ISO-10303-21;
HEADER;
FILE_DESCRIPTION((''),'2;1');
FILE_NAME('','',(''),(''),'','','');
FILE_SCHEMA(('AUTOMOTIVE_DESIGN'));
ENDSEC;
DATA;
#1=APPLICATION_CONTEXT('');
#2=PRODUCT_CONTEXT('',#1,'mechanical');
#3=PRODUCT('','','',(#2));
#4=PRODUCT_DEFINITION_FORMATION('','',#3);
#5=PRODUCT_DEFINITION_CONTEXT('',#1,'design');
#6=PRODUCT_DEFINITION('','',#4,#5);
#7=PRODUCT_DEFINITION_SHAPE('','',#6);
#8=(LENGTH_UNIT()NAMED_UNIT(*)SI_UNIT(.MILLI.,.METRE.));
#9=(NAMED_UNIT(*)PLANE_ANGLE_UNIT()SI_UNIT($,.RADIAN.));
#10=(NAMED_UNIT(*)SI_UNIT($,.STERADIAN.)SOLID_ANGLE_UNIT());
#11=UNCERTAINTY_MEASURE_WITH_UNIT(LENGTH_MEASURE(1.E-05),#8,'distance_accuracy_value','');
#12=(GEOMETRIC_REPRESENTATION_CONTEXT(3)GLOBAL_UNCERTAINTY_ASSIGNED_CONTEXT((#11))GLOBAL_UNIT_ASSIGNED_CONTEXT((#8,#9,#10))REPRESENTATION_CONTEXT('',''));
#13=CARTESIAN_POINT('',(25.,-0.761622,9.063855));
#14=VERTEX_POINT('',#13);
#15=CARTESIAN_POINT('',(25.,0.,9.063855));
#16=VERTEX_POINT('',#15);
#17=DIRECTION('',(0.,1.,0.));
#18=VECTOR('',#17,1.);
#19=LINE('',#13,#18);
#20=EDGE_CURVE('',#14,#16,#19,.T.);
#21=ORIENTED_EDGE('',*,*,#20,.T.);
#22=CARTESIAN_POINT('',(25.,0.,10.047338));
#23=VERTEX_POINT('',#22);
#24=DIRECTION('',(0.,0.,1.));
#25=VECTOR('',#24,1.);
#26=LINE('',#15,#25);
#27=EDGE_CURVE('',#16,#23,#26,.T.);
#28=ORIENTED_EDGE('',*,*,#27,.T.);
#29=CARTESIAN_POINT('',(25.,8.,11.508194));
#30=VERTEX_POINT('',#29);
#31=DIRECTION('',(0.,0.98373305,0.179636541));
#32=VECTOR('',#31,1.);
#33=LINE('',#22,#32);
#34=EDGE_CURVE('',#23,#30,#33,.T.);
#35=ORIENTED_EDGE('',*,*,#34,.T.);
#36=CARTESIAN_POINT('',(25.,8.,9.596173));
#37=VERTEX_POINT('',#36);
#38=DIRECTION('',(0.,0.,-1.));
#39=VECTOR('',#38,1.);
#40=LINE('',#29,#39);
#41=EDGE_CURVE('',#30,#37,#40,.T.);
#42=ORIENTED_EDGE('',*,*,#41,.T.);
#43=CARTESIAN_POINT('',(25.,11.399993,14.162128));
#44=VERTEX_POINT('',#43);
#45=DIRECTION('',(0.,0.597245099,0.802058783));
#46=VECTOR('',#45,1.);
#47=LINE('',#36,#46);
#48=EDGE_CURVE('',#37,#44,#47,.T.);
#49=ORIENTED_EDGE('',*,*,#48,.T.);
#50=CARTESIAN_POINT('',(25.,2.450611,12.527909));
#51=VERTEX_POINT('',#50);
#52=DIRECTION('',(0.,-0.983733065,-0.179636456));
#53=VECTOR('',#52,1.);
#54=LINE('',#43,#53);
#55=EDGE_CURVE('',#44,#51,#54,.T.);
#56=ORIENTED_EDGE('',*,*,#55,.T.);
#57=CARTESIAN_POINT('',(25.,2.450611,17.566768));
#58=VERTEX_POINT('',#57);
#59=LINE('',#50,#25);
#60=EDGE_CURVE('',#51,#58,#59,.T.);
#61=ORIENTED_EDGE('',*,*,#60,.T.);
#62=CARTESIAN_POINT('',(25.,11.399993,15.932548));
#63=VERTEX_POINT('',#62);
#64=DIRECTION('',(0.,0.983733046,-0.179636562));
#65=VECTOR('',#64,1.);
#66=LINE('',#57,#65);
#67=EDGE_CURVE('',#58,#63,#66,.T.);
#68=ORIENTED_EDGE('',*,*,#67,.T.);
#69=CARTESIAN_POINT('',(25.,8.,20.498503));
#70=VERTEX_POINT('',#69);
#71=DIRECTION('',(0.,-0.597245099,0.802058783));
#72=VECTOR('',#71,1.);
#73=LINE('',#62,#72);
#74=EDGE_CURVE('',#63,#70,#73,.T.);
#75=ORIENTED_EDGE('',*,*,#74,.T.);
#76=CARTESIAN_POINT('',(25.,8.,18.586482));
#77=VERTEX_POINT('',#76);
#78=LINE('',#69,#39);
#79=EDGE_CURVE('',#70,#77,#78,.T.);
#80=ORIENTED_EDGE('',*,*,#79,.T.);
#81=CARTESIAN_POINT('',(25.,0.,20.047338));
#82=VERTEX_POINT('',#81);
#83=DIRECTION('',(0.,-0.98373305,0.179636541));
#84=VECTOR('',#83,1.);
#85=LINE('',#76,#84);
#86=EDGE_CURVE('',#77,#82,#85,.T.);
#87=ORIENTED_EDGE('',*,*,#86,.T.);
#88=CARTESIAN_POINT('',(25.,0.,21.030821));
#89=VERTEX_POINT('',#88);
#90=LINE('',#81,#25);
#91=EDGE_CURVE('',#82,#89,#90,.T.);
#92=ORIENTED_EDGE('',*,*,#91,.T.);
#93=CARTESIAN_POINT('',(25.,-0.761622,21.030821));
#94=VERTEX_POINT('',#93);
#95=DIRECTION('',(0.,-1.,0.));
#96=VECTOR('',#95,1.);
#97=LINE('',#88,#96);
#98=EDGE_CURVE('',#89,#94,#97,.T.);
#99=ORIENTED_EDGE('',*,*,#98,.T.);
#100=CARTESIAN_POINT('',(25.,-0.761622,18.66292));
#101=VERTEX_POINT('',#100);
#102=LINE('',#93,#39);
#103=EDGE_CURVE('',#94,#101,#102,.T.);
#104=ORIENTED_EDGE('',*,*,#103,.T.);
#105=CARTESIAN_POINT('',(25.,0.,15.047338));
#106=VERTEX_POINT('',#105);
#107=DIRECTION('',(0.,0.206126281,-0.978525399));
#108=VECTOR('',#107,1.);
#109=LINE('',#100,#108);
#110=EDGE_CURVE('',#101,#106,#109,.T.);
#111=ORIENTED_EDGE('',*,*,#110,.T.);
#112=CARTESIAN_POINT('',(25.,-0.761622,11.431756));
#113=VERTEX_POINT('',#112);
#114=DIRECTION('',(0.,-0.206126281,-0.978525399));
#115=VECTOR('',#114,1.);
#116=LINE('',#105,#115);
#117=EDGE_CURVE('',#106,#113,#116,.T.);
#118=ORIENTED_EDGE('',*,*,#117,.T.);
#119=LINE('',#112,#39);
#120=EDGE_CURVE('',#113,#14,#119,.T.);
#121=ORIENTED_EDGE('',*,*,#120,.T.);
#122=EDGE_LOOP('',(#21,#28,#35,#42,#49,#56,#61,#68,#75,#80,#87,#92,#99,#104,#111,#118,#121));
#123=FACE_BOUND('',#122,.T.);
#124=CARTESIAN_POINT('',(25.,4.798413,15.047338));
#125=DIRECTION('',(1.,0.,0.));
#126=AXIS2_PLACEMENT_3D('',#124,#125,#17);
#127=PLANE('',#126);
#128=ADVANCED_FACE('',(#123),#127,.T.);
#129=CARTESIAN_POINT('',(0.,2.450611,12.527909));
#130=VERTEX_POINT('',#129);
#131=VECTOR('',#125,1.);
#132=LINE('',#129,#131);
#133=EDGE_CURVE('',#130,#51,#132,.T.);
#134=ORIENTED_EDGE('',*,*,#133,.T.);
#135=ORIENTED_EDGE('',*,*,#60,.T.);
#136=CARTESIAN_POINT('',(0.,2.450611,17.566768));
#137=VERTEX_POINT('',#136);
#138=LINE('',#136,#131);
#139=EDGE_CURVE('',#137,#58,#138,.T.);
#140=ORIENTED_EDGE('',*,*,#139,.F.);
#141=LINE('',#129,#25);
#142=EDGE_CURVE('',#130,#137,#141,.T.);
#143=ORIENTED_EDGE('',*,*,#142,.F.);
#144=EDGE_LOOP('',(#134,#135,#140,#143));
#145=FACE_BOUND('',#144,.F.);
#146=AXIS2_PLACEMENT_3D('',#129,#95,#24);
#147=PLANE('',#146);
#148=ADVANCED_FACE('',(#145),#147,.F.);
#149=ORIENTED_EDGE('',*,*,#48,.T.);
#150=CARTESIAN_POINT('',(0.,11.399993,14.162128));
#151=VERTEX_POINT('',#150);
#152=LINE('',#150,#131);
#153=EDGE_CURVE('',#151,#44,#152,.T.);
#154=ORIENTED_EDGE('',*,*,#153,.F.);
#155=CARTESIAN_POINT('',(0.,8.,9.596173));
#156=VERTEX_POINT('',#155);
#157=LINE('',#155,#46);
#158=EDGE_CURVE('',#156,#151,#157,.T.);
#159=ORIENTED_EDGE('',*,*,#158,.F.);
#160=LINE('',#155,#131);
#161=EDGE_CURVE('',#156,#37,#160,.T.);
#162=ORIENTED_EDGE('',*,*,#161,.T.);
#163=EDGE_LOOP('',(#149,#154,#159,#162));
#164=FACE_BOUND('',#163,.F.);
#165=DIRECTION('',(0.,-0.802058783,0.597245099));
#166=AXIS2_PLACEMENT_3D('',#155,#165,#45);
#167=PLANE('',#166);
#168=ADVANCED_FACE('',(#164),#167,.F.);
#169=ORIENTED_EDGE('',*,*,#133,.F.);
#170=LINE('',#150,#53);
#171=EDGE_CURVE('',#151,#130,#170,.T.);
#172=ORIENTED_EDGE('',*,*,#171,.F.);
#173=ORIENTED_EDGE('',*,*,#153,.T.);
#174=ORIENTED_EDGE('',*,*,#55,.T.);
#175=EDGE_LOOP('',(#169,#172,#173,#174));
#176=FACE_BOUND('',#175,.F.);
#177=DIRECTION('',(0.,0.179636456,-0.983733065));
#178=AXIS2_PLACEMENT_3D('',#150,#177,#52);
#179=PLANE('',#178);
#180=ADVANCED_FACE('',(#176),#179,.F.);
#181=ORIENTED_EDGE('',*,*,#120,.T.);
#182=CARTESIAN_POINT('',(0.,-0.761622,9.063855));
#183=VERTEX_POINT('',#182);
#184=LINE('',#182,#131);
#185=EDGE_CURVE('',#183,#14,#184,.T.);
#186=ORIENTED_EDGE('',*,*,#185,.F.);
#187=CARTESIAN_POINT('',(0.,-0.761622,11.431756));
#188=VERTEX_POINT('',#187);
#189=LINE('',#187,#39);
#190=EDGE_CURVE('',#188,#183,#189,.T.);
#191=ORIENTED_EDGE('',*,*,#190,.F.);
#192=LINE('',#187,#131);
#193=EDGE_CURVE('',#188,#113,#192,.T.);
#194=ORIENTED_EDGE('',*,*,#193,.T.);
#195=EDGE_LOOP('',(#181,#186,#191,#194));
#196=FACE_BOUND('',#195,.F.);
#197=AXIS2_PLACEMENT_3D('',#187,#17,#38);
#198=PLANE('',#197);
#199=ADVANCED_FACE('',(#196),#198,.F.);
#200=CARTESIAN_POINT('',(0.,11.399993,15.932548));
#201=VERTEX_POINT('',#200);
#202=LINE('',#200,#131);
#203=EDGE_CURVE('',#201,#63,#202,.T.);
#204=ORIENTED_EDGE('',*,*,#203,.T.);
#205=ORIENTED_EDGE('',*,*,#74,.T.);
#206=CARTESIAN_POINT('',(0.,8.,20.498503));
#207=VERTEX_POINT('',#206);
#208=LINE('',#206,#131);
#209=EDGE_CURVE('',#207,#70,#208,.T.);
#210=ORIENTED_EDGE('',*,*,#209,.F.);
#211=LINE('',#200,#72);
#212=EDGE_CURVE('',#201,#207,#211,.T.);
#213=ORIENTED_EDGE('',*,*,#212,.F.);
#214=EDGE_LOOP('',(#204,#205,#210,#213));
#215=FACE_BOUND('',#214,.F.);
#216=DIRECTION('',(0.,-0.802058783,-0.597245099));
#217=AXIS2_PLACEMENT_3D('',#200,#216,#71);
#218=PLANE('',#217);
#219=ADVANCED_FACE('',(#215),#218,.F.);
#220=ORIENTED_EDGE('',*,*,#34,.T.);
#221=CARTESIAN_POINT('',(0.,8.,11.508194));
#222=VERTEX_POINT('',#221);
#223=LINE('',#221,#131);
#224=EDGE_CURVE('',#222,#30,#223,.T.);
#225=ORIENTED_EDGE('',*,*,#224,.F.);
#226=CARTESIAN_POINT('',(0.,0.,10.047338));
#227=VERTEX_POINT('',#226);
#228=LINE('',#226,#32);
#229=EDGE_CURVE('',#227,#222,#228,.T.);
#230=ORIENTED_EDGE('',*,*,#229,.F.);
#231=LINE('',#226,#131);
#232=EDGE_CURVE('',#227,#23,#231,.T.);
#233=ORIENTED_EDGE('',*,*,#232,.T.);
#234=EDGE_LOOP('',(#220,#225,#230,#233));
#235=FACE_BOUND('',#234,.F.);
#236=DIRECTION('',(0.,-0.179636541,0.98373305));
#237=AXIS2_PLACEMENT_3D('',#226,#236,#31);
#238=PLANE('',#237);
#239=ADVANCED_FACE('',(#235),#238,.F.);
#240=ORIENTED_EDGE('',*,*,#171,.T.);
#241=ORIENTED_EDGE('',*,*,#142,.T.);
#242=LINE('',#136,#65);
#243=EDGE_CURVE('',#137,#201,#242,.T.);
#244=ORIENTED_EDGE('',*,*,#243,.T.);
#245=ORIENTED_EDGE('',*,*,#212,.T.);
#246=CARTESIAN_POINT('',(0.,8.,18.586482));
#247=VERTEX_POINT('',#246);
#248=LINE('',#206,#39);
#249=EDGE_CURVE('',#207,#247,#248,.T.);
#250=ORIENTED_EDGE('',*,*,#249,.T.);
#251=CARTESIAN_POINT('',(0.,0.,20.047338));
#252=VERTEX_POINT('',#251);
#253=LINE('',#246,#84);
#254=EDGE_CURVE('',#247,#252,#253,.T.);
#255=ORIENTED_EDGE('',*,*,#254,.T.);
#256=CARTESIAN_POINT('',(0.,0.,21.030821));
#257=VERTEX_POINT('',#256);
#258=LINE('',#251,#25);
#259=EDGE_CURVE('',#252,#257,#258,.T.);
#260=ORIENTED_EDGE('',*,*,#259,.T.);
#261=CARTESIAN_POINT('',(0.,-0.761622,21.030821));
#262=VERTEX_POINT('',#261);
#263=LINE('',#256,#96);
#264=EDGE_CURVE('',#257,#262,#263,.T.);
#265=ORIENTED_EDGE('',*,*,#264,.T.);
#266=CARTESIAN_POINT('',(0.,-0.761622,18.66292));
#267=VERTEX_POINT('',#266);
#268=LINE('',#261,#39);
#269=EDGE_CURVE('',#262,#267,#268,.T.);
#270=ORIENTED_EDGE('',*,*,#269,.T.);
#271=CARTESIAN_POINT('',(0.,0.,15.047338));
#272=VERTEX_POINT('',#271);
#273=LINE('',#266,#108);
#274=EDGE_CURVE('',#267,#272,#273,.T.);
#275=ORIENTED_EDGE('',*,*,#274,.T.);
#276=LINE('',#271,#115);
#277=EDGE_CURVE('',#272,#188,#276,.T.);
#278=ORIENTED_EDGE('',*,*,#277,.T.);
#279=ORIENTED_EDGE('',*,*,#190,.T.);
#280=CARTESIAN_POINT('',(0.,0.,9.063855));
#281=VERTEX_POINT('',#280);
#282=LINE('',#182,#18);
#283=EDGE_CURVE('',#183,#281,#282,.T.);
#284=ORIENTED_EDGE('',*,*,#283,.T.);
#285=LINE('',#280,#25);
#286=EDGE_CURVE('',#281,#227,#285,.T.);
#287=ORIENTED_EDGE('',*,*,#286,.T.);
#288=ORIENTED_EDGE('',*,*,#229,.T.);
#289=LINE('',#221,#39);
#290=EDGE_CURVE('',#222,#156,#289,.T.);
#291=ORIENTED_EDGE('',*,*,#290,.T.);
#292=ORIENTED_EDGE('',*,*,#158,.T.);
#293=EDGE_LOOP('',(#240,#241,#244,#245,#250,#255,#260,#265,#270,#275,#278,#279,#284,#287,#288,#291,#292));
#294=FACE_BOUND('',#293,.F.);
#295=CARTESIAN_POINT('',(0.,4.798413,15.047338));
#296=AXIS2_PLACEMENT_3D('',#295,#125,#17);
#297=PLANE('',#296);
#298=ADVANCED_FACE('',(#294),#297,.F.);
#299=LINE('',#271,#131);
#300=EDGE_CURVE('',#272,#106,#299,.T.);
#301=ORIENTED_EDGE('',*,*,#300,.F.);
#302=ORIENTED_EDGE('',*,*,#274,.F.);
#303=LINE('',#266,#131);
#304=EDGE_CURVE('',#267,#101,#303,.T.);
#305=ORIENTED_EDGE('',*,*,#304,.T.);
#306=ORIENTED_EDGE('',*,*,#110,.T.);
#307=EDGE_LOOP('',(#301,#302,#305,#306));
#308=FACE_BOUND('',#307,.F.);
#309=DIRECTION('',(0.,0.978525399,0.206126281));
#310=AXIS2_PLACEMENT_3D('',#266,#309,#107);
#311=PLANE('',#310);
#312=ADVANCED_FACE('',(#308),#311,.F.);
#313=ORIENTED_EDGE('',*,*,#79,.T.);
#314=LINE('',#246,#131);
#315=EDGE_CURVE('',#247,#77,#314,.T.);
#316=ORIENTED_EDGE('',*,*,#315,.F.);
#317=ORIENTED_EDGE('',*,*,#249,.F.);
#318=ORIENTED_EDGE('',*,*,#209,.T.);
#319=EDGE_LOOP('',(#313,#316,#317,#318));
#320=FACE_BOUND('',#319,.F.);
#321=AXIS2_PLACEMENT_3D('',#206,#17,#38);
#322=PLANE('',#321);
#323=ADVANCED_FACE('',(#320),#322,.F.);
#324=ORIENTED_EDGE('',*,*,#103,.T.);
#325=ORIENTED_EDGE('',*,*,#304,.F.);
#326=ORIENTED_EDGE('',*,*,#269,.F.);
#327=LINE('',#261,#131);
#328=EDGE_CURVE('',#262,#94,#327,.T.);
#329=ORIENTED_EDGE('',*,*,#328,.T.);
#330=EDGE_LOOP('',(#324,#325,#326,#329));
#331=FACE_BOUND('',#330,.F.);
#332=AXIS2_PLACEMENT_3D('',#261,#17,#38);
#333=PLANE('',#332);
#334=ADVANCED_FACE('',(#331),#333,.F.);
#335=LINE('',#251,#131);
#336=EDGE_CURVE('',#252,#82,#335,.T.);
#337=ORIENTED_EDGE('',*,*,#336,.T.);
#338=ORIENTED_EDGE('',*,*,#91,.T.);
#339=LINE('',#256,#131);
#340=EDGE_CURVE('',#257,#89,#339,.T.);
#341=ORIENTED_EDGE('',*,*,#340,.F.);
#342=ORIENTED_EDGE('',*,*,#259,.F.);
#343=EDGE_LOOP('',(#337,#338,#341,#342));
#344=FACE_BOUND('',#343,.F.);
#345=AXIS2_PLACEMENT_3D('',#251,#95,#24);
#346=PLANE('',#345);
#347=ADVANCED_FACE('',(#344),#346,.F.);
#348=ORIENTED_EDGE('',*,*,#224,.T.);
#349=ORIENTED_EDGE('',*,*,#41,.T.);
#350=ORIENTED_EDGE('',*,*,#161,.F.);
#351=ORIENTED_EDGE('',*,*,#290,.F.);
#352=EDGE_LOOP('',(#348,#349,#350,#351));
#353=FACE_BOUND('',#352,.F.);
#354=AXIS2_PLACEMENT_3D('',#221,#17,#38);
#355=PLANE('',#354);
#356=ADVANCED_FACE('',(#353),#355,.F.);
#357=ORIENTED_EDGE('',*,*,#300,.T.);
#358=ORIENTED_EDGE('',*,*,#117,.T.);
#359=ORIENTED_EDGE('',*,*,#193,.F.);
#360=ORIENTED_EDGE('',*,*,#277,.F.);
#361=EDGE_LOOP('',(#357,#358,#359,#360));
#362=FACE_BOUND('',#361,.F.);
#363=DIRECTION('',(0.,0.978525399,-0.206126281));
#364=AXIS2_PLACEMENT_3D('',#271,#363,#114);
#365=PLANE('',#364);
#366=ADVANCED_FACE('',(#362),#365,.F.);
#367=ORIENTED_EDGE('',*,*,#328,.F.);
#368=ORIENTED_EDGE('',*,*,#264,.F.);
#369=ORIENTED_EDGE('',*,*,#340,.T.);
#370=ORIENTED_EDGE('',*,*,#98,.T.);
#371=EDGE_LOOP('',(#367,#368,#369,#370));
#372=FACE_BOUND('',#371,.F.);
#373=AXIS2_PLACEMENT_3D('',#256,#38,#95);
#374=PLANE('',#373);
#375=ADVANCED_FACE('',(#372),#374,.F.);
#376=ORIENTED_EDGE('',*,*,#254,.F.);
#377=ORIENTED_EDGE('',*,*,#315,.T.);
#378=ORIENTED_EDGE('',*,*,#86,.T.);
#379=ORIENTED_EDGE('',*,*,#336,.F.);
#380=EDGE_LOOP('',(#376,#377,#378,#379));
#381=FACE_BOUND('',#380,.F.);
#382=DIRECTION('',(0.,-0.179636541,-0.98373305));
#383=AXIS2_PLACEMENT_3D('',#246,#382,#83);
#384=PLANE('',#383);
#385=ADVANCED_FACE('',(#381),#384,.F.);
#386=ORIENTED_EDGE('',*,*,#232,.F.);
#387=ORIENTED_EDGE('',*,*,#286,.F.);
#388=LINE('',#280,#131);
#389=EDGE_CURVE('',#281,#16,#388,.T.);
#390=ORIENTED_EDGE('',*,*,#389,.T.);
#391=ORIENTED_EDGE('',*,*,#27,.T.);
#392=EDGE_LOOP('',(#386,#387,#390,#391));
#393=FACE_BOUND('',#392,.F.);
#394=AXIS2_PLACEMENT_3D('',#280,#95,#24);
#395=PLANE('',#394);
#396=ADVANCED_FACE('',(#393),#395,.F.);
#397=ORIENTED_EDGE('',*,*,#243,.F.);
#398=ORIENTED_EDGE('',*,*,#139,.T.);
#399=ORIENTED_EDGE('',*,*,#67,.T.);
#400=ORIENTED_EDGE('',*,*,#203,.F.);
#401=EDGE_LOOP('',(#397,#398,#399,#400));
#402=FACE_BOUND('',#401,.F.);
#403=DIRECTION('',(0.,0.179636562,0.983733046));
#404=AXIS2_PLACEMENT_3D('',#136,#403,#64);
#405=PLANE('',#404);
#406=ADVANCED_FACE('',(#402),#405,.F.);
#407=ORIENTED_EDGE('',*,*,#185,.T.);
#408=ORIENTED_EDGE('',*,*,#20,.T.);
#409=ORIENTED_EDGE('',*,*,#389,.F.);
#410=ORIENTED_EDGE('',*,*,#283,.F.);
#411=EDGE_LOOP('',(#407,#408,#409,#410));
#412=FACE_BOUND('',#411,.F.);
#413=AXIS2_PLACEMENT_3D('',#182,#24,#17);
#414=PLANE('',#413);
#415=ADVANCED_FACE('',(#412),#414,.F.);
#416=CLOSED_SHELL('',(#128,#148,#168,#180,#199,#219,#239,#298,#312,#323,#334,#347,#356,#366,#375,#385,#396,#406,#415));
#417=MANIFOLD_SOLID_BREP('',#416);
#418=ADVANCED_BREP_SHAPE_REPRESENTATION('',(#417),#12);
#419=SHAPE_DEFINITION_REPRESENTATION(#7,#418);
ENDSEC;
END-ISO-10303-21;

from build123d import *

# Parameters (mm, degrees)
F1_DEPTH = 25


with BuildPart() as f1:
    # F0 (on Right) → F1 (new body)
    with BuildSketch(Plane.YZ):
        Polygon((8, 18.586482), (0, 20.047338), (0, 21.030821), (-0.761622, 21.030821), (-0.761622, 18.66292), (0, 15.047338), (-0.761622, 11.431756), (-0.761622, 9.063855), (0, 9.063855), (0, 10.047338), (8, 11.508194), (8, 9.596173), (11.399993, 14.162128), (2.450611, 12.527909), (2.450611, 15.047338), (2.450611, 17.566768), (11.399993, 15.932548), (8, 20.498503), align=None)
    extrude(amount=F1_DEPTH)


solid = f1.part
